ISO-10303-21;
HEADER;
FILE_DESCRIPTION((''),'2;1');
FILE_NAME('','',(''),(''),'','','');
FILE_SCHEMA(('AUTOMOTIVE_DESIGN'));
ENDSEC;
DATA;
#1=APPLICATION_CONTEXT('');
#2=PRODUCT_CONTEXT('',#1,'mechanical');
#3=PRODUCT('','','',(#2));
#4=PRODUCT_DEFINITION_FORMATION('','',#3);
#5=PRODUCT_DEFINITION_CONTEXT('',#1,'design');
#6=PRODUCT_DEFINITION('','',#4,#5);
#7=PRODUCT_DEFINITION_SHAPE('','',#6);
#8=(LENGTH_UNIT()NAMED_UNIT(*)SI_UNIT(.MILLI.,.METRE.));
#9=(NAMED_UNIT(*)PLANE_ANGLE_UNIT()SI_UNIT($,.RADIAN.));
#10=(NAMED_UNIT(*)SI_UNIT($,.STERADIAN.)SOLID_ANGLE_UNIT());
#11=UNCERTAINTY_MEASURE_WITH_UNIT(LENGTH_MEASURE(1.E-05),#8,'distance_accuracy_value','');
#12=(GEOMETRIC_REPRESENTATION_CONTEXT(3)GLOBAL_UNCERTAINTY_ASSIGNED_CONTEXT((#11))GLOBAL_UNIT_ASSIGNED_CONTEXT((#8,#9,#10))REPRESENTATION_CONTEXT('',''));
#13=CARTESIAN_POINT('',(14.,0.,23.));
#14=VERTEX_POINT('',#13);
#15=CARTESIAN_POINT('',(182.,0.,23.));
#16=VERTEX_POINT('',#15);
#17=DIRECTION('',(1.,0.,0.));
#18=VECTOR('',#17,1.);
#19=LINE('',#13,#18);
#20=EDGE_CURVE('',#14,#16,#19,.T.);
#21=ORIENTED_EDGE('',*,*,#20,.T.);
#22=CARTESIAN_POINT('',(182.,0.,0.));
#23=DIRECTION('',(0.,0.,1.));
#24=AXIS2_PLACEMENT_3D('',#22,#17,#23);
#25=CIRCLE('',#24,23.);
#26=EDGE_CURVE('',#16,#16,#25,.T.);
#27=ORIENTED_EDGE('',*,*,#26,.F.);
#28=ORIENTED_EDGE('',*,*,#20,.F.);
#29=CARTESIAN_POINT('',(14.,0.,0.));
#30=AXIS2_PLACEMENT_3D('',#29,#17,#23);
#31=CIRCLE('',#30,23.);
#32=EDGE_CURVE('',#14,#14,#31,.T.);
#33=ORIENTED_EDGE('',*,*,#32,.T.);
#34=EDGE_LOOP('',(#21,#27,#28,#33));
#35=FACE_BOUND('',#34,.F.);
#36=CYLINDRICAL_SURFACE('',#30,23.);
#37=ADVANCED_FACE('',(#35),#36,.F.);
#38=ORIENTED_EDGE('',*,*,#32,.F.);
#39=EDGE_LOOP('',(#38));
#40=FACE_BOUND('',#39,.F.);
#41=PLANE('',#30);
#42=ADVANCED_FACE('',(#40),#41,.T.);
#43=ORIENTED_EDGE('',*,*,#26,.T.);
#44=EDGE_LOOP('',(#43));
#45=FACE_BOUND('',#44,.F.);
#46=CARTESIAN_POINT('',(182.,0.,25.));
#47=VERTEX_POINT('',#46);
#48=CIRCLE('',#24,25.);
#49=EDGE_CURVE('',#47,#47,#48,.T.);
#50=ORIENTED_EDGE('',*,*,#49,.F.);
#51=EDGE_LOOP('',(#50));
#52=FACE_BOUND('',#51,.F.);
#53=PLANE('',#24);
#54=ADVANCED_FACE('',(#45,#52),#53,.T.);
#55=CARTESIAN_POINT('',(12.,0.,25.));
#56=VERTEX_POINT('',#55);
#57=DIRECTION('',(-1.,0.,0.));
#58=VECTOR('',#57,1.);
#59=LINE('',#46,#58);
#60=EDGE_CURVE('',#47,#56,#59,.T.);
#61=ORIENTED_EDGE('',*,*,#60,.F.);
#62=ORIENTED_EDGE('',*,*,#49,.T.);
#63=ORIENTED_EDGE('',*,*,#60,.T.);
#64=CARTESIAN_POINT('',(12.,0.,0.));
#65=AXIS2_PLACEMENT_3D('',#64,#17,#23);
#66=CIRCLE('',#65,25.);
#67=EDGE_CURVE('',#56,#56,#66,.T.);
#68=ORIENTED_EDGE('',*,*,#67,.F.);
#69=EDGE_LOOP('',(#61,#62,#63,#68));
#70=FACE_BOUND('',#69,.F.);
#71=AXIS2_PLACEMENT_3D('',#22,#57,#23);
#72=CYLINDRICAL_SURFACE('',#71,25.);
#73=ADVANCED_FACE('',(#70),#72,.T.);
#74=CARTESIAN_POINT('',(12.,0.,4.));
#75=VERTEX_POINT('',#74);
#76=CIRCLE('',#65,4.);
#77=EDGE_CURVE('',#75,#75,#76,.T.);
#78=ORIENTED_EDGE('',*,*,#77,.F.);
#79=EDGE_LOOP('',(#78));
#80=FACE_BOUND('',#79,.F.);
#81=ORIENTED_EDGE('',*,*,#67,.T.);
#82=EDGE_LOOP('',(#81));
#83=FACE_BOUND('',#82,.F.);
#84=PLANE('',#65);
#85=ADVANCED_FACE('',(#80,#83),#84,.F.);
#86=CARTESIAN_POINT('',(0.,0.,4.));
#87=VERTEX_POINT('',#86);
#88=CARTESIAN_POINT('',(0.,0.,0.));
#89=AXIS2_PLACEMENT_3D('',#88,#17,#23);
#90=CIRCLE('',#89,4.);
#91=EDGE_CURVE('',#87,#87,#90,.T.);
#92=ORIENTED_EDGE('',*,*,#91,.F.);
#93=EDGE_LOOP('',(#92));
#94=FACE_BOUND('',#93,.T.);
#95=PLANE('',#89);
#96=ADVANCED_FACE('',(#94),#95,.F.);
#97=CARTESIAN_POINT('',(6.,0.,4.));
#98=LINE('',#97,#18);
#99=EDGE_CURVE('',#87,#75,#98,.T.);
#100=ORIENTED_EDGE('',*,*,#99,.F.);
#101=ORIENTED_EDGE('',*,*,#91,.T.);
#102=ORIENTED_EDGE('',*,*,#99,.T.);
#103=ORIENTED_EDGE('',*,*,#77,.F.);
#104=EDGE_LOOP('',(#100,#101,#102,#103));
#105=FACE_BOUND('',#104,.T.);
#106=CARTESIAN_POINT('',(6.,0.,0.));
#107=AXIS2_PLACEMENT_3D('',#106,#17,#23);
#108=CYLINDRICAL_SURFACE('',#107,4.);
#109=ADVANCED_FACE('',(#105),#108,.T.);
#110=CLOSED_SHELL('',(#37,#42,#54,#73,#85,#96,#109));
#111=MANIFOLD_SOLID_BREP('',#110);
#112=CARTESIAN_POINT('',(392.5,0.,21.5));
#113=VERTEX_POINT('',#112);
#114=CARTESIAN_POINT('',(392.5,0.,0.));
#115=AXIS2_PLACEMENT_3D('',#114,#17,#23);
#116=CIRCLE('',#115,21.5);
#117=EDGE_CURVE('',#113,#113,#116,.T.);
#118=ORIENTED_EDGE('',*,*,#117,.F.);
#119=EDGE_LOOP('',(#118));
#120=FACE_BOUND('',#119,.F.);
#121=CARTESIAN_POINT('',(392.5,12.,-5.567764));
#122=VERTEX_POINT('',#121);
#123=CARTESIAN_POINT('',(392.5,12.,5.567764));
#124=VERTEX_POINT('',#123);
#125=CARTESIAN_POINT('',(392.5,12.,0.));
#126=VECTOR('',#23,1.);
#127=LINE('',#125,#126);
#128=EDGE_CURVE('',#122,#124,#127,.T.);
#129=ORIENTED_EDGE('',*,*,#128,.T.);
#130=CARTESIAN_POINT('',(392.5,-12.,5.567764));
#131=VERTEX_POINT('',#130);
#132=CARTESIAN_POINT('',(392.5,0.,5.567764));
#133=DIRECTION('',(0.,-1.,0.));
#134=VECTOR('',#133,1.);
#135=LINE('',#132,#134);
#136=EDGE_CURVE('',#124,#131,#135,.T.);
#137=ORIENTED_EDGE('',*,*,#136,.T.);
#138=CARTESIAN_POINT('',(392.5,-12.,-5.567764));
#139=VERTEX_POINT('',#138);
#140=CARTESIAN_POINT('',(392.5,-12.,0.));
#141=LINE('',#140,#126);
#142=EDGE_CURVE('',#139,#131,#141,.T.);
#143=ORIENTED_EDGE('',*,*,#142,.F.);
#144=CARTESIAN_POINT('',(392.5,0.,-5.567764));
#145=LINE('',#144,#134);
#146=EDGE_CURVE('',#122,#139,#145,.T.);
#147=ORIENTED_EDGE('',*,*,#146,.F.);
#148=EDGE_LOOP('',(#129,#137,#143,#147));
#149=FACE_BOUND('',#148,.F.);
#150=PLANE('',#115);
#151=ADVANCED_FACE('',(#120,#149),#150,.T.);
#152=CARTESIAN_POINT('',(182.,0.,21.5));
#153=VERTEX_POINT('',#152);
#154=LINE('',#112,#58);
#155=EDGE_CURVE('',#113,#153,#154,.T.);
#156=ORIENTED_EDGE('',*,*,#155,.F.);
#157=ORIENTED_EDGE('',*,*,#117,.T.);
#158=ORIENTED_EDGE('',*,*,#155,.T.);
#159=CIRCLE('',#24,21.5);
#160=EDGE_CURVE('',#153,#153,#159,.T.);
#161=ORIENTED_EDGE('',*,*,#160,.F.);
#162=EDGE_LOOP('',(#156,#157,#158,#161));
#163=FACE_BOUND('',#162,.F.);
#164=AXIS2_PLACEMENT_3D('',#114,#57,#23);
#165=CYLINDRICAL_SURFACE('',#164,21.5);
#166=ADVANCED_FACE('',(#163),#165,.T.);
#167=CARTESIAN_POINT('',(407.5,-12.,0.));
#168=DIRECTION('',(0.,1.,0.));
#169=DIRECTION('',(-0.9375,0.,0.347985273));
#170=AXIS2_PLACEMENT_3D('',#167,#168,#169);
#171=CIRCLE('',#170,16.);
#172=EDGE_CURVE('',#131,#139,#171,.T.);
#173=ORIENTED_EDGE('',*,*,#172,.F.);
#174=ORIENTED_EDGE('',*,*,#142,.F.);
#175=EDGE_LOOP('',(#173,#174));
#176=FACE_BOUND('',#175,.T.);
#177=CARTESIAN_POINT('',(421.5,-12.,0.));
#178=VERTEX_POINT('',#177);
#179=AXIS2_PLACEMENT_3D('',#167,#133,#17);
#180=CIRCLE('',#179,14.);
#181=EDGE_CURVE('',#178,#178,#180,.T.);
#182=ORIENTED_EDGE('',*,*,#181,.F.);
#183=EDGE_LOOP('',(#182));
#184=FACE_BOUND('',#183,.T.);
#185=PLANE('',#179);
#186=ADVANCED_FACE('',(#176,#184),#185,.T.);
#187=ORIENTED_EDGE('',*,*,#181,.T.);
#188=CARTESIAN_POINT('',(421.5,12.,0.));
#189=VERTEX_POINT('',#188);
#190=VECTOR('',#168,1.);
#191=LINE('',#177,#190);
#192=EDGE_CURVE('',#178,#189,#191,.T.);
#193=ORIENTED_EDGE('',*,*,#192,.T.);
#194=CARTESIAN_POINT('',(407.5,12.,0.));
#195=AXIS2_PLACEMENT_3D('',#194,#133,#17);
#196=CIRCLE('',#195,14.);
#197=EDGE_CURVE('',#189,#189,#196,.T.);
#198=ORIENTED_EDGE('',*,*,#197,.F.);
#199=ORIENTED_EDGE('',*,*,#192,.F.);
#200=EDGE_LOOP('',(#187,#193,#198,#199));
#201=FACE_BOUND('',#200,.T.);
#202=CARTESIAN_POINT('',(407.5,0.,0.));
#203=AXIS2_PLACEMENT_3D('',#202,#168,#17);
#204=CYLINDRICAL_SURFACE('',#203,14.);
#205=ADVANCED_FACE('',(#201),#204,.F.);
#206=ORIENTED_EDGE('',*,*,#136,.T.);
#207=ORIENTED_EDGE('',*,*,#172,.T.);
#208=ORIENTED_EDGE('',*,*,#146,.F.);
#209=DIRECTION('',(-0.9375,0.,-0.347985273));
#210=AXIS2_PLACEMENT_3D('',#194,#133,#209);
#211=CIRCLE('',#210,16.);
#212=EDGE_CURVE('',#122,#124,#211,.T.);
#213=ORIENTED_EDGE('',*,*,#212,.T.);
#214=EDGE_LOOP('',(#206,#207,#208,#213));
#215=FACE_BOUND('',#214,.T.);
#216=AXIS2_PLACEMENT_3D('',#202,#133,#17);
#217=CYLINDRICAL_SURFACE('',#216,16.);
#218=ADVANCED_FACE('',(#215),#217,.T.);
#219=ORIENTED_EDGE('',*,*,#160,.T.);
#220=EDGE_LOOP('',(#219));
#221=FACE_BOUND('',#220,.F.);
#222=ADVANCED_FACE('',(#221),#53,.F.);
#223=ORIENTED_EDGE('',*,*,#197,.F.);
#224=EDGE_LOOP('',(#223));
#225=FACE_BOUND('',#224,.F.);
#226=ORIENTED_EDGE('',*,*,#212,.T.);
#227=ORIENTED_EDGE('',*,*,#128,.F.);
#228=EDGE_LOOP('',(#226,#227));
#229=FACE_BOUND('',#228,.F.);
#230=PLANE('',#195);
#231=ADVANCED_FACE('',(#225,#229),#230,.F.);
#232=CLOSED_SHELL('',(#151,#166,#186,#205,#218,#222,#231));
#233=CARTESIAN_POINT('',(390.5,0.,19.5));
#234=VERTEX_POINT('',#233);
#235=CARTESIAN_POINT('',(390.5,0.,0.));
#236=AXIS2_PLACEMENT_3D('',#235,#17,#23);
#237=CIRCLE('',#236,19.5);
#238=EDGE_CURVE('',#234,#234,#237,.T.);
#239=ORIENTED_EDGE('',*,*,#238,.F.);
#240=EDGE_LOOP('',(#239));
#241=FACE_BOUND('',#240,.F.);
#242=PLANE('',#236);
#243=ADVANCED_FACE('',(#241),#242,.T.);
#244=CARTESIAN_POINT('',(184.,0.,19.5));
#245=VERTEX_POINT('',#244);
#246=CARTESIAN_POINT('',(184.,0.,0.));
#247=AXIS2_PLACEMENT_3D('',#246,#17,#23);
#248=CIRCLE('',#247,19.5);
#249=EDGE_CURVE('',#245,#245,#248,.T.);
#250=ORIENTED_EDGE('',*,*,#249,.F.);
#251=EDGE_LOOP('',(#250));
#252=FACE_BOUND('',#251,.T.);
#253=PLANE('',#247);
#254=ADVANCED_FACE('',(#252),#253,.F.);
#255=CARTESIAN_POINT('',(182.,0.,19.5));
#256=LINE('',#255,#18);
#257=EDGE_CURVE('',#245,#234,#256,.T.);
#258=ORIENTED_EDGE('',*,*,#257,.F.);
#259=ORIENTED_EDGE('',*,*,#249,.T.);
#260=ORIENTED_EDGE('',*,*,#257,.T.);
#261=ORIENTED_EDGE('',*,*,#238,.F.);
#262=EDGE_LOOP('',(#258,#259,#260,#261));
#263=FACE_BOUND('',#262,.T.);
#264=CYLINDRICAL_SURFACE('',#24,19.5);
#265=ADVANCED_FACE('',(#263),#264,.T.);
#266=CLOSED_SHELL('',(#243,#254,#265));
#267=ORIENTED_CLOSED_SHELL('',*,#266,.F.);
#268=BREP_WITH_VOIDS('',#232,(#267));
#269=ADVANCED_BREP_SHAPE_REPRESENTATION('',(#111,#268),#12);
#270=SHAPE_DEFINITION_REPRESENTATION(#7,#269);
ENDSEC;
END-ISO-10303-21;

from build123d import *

# Parameters (mm, degrees)
F0_W     = 12
F0_H     = 4
F0_W_2   = 2
F0_H_2   = 12.5
F0_H_3   = 7
F0_H_4   = 19.5
F2_R     = 16
F2_R_2   = 14
F3_DEPTH = 12


with BuildPart() as f1:
    # F0 (on Front) → F1 (revolve)
    with BuildSketch(Plane.XZ):
        Polygon((392.5, 21.5), (182, 21.5), (182, 19.5), (184, 19.5), (390.5, 19.5), (392.5, 19.5), align=None)
        with Locations((6, 2)):
            Rectangle(F0_W, F0_H)
        Polygon((12, 4), (12, 0), (14, 0), (14, 23), (12, 23), align=None)
        Polygon((12, 25), (12, 23), (14, 23), (182, 23), (182, 25), align=None)
        with Locations((183, 13.25)):
            Rectangle(F0_W_2, F0_H_2)
        with Locations((183, 3.5)):
            Rectangle(F0_W_2, F0_H_3)
        with Locations((391.5, 9.75)):
            Rectangle(F0_W_2, F0_H_4)
    revolve(axis=Axis((250, 0, 0), (1, 0, 0)))

    # F2 (on Front) → F3 (join, symmetric)
    with BuildSketch(Plane.XZ):
        with Locations((407.5, 0)):
            Circle(F2_R)
        with Locations((407.5, 0)):
            Circle(F2_R_2, mode=Mode.SUBTRACT)
    extrude(amount=F3_DEPTH, both=True)


solid = f1.part
